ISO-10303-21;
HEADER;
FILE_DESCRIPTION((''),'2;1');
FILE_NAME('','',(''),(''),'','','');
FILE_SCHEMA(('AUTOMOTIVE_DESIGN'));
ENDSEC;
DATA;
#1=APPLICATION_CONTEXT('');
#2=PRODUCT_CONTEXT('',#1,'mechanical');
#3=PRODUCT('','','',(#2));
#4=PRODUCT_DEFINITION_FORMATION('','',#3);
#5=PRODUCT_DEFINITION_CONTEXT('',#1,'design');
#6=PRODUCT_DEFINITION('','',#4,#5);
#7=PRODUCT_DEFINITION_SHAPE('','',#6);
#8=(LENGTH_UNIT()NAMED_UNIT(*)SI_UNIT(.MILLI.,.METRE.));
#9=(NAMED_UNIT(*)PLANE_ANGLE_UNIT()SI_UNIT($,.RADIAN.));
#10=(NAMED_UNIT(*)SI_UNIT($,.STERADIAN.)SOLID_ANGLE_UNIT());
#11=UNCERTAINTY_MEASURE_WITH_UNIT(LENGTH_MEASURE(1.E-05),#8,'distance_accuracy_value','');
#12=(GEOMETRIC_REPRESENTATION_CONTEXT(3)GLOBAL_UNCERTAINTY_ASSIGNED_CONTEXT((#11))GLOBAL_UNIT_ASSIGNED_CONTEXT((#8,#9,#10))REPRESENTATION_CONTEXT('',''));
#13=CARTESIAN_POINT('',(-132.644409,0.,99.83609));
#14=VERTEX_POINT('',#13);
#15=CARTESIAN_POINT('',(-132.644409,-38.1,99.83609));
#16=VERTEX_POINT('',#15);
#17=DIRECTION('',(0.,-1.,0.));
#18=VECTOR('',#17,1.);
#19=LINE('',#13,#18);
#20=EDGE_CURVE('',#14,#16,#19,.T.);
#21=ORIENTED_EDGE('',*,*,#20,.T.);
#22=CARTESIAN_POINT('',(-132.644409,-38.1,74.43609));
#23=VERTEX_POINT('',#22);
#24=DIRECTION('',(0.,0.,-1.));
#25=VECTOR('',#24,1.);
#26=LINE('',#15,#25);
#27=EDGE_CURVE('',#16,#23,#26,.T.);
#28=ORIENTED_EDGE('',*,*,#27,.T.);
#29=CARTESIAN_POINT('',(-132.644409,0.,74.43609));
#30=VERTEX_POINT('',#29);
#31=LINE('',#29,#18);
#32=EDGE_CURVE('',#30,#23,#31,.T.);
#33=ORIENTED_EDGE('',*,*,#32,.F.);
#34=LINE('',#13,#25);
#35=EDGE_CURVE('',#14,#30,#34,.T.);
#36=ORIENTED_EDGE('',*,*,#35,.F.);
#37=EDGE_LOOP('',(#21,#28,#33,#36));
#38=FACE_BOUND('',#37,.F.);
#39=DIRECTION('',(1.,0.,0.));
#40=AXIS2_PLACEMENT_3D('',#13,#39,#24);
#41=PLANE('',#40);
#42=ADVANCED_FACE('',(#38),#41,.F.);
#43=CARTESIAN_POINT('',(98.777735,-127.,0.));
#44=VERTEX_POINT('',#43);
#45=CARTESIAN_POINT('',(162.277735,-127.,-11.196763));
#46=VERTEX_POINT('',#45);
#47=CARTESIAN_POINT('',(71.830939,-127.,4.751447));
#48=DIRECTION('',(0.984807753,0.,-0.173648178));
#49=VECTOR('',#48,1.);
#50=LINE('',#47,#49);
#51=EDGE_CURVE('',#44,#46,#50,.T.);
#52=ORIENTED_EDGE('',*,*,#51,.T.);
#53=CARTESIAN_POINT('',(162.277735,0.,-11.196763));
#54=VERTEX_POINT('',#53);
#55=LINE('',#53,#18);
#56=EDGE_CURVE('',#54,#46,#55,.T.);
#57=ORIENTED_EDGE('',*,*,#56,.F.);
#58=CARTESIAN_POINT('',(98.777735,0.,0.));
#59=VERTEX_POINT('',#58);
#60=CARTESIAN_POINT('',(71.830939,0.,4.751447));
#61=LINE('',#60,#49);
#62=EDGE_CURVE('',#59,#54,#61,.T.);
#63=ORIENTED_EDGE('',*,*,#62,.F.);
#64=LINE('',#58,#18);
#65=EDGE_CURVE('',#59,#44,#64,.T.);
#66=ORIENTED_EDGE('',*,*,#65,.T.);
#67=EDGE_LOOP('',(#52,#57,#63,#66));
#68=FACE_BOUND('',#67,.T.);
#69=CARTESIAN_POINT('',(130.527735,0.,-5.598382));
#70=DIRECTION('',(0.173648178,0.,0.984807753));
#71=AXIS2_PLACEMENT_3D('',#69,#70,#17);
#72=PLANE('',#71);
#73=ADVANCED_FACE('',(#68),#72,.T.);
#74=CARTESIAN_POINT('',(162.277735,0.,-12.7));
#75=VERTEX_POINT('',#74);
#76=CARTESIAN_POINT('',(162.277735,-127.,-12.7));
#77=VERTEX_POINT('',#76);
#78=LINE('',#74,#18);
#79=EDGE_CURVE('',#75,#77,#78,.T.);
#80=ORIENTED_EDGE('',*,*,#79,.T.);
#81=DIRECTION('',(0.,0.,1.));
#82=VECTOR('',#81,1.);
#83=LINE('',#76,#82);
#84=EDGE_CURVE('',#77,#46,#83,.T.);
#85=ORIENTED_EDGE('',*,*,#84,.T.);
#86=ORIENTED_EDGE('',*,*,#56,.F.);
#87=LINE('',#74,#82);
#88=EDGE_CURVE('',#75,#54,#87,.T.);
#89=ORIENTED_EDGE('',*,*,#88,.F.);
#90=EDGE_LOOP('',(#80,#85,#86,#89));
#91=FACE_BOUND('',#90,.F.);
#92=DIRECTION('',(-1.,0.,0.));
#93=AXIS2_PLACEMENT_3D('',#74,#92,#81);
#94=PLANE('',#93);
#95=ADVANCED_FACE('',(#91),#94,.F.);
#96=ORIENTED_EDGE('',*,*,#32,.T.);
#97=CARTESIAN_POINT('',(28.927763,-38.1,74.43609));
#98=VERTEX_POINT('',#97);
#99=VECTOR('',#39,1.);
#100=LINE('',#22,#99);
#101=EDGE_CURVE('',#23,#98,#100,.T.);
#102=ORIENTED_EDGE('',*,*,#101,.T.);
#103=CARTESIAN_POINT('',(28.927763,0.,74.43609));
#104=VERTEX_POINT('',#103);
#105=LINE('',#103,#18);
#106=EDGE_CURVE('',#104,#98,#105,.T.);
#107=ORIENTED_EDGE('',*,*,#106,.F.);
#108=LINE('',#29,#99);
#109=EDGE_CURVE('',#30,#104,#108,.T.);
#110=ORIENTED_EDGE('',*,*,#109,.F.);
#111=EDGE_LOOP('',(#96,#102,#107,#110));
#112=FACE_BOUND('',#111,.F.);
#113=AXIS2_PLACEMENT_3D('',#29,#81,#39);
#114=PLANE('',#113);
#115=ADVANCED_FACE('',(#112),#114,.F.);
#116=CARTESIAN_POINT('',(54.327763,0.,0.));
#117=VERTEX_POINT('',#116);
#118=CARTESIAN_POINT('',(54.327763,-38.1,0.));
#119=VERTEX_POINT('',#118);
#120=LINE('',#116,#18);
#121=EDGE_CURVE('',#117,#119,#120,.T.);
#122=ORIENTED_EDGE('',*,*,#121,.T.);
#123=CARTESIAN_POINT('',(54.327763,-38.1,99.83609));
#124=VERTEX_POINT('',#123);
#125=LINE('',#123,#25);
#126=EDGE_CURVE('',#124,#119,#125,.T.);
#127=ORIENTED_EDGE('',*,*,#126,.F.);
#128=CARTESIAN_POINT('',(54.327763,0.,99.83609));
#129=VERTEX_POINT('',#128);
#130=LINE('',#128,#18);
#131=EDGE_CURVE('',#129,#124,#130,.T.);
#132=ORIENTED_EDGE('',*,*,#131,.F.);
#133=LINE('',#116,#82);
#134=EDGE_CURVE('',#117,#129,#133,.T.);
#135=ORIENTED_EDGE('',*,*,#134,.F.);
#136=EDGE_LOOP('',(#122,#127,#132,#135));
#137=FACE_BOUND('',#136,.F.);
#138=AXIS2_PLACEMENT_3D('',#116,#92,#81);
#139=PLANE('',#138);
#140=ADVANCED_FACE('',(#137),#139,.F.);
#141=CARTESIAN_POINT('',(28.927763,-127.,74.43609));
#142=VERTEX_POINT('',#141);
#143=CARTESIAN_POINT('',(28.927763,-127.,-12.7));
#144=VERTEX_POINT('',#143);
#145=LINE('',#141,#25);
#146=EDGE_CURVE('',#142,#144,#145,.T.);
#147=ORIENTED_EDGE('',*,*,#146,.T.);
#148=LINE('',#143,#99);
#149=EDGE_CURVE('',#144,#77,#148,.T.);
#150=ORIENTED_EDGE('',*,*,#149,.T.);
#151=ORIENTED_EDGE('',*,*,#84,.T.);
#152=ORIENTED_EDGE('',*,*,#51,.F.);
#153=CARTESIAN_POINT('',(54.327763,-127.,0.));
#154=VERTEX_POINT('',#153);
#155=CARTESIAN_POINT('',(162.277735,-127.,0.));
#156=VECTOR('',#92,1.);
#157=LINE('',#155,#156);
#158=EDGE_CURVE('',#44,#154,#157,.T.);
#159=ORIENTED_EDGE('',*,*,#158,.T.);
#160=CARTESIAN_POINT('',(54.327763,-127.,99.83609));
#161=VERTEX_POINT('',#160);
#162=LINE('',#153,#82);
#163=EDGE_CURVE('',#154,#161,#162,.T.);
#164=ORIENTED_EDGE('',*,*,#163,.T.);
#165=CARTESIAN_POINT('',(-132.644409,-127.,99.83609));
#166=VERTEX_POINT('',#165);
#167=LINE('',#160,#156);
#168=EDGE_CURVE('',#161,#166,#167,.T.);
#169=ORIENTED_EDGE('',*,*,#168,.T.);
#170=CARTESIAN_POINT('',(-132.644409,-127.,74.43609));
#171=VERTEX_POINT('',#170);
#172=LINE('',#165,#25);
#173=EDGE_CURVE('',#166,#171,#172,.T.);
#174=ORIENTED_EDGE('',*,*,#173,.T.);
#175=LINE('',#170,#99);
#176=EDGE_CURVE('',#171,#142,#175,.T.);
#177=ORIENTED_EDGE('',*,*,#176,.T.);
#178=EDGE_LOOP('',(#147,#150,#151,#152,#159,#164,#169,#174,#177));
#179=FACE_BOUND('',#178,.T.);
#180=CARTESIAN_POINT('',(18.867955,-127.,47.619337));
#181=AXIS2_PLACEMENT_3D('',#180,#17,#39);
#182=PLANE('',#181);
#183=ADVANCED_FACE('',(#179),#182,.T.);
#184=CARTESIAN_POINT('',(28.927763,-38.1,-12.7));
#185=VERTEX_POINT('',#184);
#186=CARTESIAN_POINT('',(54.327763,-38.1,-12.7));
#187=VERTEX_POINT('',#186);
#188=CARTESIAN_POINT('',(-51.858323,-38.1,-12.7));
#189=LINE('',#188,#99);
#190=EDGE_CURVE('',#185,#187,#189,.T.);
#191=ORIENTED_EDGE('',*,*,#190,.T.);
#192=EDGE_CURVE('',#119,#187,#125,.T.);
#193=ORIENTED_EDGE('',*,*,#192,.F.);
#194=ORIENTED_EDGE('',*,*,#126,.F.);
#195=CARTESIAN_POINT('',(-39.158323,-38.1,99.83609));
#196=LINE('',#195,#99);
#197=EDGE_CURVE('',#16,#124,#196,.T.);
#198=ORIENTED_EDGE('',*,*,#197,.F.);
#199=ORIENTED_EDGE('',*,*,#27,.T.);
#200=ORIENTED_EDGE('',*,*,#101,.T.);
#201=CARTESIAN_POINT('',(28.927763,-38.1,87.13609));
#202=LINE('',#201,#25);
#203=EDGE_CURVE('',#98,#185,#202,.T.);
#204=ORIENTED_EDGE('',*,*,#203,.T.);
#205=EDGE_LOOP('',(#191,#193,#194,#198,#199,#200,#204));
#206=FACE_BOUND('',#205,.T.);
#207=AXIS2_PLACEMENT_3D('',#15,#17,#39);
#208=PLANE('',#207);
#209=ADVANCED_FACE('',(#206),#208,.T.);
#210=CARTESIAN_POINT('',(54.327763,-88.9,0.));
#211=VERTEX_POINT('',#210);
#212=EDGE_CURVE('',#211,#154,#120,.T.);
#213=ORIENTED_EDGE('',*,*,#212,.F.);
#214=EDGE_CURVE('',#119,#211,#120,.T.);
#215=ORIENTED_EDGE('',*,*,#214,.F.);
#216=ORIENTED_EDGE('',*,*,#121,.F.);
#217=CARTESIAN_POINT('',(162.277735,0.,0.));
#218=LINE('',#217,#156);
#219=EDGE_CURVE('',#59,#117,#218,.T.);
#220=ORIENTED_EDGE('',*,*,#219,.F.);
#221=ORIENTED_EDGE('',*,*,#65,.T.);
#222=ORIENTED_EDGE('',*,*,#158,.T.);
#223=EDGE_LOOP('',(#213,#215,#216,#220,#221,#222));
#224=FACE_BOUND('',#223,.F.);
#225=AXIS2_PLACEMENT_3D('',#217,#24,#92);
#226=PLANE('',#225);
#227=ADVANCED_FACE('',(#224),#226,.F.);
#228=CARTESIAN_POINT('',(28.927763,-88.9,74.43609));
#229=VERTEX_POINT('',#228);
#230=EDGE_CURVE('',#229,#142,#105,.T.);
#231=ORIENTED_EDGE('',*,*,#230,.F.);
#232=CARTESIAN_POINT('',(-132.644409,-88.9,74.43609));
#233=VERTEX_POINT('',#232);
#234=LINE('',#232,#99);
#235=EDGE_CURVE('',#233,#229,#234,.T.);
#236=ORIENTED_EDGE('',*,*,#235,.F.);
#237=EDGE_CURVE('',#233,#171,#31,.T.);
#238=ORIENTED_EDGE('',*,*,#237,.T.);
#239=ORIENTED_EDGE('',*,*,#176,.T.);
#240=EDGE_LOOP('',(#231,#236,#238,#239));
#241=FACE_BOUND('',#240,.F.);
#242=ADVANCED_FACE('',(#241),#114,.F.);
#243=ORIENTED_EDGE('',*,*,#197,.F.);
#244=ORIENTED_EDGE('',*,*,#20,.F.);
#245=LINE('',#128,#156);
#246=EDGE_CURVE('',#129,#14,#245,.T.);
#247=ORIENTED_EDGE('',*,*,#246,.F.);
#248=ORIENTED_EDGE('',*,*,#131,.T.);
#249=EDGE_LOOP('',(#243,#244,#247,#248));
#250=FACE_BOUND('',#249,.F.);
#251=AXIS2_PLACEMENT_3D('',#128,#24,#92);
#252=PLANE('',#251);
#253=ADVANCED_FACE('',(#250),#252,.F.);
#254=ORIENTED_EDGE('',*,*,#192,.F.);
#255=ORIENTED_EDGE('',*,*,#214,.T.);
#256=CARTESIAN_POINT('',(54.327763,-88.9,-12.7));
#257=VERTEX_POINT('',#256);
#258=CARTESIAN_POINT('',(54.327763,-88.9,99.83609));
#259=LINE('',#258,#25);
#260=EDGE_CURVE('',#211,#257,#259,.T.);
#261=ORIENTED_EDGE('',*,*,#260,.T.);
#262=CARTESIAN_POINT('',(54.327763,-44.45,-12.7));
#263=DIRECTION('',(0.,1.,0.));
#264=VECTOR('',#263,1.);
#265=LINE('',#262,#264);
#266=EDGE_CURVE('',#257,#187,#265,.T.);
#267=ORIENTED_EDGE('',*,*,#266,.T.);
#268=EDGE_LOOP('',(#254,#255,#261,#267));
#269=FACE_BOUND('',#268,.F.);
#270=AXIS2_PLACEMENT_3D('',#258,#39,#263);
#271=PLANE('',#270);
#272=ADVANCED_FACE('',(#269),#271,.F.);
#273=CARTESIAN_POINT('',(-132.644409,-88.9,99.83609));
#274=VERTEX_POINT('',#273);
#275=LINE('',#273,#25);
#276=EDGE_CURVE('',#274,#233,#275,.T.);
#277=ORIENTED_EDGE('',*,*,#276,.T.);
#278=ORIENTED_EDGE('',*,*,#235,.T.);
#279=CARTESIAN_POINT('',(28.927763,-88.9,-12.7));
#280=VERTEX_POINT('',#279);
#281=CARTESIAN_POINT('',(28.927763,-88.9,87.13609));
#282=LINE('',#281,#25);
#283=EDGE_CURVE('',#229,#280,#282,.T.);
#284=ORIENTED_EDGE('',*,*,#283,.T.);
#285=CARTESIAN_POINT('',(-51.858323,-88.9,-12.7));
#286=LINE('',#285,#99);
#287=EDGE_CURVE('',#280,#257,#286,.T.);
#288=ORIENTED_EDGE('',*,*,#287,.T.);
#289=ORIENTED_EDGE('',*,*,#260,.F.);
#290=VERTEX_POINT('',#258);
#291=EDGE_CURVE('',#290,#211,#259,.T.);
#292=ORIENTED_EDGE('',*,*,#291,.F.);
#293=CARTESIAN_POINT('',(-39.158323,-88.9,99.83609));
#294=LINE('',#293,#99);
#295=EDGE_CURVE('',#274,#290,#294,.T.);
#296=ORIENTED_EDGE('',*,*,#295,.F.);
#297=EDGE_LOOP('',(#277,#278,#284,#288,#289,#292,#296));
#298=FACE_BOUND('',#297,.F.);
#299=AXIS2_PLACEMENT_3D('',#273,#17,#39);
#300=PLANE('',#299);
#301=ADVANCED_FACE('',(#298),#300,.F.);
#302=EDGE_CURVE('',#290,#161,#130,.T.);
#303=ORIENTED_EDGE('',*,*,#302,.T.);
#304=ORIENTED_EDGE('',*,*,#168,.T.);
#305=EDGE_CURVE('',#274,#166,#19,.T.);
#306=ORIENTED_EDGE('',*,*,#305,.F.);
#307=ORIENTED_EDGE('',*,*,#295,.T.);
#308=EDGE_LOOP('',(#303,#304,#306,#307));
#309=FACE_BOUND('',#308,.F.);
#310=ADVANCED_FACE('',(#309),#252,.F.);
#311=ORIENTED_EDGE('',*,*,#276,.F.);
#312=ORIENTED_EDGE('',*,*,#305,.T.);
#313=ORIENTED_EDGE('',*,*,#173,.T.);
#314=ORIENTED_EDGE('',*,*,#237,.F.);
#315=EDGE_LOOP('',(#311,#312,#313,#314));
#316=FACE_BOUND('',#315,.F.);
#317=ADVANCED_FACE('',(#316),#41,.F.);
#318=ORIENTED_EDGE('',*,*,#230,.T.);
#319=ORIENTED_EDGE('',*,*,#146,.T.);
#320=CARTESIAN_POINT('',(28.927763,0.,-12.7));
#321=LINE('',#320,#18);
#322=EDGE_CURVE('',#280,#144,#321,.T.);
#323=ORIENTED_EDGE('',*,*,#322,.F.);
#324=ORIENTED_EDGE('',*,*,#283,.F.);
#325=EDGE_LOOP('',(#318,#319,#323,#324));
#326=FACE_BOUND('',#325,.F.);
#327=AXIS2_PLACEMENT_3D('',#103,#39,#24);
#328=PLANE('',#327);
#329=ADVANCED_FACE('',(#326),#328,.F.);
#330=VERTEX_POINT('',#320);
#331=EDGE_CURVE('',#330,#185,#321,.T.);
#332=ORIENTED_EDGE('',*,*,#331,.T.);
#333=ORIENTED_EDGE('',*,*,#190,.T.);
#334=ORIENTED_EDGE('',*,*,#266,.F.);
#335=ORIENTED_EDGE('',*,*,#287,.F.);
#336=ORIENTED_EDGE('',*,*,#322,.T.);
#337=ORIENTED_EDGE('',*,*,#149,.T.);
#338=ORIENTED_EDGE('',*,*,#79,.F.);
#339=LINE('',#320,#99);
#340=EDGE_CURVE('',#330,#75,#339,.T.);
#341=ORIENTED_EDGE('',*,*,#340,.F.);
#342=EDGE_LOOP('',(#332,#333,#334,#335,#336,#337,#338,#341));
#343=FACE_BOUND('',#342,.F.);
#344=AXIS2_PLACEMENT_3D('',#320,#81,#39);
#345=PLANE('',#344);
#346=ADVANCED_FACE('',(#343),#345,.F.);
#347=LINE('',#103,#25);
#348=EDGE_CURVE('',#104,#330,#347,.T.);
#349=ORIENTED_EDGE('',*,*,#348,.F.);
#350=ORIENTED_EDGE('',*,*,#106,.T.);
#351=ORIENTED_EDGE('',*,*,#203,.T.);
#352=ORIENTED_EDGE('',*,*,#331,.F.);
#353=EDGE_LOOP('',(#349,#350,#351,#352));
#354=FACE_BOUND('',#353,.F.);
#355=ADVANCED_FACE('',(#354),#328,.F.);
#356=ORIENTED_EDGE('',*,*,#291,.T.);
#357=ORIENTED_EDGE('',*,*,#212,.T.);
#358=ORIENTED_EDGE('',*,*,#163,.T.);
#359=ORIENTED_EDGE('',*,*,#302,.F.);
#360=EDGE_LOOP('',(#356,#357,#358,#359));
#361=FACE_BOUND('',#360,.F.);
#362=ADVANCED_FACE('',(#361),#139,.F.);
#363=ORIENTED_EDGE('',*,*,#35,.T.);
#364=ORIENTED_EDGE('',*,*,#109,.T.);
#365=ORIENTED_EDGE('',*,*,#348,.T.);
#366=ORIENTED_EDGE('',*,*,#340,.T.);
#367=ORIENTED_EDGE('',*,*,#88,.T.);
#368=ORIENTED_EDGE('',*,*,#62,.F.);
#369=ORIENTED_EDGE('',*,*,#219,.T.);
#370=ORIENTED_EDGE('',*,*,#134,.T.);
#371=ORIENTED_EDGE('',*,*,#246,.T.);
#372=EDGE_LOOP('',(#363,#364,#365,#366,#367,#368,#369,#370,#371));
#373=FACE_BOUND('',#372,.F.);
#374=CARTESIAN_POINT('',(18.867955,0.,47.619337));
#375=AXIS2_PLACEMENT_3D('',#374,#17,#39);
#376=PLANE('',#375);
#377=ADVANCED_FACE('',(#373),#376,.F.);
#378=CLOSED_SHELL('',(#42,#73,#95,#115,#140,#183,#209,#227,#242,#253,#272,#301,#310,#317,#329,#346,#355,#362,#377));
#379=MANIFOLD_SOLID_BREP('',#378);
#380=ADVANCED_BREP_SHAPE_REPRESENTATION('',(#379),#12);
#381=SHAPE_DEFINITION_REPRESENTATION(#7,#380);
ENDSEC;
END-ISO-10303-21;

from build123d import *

# Parameters (mm, degrees)
F1_DEPTH = 127
F2_W     = 186.9721719681
F2_H     = 50.8
F3_DEPTH = 112.5370903122
F4_SIZE2 = 11.196763275
F4_SIZE  = 63.5


with BuildPart() as f1:
    # F0 (on Front) → F1 (new body)
    with BuildSketch(Plane.XZ):
        Polygon((162.2777349776, -12.7), (162.2777349776, 0), (54.3277631103, 0), (54.3277631103, 99.8360903122), (-132.6444088578, 99.8360903122), (-132.6444088578, 74.4360903122), (28.9277631103, 74.4360903122), (28.9277631103, -12.7), align=None)
    extrude(amount=F1_DEPTH)

    # F2 (on face) → F3 (cut, through all)
    with BuildSketch(Plane.XY.offset(99.8360903122)):
        with Locations((-39.1583228738, -63.5)):
            Rectangle(F2_W, F2_H)
    extrude(amount=-F3_DEPTH, mode=Mode.SUBTRACT)

    # F4
    f4_edges = [f1.edges().sort_by_distance(p)[0] for p in [
        (162.277735, -63.5, 0),
    ]]
    f4_side = f1.faces().sort_by_distance((108.302749, -63.5, 0))[0]
    chamfer(f4_edges, length=F4_SIZE, length2=F4_SIZE2, reference=f4_side)


solid = f1.part
